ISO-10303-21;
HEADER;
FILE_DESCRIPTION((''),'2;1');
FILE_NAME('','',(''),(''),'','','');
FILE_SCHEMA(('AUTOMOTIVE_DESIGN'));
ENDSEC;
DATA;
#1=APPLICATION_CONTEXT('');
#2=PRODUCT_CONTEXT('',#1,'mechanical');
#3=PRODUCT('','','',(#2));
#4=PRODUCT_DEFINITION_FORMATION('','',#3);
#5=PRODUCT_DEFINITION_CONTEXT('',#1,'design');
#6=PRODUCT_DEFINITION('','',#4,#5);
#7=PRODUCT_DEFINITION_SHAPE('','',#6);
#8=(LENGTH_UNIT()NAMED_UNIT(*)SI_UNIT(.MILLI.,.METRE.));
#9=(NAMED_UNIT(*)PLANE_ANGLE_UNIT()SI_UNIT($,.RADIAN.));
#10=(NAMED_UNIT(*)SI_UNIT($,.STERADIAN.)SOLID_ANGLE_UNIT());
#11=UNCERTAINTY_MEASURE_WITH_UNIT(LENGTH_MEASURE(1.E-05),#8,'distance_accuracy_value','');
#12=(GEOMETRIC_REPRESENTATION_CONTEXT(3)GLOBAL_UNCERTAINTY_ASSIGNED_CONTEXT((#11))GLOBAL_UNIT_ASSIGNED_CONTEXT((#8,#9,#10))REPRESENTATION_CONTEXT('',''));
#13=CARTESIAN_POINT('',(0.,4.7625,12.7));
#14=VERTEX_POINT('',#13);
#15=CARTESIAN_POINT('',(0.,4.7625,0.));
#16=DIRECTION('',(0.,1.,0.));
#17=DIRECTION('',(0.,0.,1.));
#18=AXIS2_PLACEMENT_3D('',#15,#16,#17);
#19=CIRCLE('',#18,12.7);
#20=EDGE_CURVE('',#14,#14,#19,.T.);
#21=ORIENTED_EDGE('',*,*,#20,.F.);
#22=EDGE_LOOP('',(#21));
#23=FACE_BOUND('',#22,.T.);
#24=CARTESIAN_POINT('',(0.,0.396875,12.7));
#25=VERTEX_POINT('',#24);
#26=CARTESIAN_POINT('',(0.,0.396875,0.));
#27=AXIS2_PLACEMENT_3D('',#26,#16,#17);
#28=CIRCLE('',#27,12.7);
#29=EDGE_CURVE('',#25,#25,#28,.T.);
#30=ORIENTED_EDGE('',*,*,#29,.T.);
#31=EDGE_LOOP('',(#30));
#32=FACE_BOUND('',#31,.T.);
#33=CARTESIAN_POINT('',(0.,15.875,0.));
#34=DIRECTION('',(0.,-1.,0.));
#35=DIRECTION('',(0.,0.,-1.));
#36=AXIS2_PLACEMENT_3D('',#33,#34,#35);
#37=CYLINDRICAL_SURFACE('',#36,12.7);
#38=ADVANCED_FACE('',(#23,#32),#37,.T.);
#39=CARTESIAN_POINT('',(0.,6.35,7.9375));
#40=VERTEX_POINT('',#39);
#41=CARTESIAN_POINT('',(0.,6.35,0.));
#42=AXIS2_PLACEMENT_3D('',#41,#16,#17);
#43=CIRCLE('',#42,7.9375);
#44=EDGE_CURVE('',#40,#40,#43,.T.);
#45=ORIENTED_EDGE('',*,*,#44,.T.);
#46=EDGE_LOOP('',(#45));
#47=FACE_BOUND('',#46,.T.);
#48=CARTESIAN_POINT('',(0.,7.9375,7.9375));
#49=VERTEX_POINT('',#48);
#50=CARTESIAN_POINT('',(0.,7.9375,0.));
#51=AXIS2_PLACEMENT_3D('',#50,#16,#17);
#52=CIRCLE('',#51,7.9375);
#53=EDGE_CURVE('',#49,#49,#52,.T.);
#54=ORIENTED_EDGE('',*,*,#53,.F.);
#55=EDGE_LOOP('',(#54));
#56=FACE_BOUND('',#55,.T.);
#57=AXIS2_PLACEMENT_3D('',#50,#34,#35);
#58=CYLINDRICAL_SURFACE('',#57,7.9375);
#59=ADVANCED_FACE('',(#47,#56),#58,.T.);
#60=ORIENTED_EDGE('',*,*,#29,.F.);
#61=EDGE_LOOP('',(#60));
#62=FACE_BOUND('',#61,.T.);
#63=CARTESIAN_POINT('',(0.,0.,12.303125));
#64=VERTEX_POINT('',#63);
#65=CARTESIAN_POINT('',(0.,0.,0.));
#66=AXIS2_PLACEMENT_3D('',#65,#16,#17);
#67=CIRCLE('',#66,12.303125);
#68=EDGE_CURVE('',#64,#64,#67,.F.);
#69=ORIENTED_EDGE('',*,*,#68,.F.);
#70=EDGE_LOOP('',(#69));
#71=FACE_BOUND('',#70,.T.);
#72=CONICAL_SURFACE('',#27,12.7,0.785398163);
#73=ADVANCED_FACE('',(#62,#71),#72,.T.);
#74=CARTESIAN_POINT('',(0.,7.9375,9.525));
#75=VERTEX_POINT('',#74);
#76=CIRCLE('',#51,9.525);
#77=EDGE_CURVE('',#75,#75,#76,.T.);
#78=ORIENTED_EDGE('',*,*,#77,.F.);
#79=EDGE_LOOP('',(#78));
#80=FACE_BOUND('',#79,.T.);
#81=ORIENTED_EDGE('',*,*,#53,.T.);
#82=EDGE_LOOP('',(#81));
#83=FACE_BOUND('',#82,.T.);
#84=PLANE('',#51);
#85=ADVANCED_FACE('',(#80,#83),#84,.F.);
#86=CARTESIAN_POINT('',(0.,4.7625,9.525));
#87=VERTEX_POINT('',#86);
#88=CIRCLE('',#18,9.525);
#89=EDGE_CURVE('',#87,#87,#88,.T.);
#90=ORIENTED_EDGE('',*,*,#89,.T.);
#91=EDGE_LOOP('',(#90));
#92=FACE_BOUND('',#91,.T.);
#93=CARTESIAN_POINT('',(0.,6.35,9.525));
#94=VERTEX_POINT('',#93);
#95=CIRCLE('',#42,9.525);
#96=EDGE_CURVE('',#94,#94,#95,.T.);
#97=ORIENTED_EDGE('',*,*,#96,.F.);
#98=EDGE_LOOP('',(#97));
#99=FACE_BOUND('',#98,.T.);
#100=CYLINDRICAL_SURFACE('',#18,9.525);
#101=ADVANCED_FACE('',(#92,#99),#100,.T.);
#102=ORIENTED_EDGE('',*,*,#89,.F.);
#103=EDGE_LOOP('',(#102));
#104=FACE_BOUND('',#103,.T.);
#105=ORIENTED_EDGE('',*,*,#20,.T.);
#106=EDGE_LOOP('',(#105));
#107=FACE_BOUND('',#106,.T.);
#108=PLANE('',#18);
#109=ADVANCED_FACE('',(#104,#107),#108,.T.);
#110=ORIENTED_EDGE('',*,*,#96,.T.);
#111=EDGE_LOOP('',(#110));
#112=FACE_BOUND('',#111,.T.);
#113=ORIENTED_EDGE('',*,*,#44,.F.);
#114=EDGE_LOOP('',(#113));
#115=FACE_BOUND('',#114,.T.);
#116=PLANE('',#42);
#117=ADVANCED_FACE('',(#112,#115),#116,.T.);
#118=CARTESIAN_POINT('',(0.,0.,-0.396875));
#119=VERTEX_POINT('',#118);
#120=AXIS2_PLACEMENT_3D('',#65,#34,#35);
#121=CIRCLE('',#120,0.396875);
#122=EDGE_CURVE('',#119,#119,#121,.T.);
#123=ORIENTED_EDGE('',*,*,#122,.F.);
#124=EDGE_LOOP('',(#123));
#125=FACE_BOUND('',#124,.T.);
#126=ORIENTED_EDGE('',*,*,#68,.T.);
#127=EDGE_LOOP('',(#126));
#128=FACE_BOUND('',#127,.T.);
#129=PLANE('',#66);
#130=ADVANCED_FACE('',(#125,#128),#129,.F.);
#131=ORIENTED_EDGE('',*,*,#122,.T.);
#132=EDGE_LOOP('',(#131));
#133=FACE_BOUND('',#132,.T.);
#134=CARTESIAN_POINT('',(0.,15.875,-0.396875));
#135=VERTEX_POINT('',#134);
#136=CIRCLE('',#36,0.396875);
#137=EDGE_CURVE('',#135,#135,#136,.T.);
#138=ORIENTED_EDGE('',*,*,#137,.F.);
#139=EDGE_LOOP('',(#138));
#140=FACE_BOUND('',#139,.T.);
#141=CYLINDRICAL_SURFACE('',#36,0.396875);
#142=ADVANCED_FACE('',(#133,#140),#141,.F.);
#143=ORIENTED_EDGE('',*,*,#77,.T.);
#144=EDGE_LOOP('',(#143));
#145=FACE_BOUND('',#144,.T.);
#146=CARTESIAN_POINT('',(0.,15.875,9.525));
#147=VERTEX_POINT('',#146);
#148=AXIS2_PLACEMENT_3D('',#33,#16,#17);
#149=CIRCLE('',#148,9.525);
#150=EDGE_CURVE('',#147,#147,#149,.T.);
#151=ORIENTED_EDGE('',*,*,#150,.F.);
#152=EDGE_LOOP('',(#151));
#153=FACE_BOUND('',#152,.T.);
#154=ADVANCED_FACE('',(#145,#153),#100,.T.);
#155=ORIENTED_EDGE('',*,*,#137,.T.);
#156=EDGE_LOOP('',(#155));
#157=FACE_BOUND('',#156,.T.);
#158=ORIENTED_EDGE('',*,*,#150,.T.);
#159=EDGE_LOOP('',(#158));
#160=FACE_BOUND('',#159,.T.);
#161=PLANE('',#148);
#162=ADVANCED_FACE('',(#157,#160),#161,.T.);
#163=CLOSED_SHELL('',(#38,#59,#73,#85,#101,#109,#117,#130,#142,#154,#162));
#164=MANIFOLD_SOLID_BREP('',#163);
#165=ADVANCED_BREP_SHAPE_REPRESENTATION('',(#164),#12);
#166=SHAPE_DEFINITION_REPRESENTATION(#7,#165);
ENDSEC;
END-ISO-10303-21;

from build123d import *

# Parameters (mm, degrees)
SKETCH1_R           = 12.7
BOSS_EXTRUDE1_DEPTH = 15.875
SKETCH2_R           = 12.7
SKETCH2_R_2         = 9.525
CUT_EXTRUDE1_DEPTH  = 11.1125
SKETCH3_R           = 0.396875
CUT_EXTRUDE2_DEPTH  = 16.875
CHAMFER1_SIZE       = 0.396875
SKETCH4_R           = 9.525
SKETCH4_R_2         = 7.9375
CUT_EXTRUDE3_DEPTH  = 1.5875


with BuildPart() as part:
    # Sketch1 → Boss-Extrude1 (new body)
    with BuildSketch(Plane(origin=(0, 0, 0), x_dir=(1, 0, 0), z_dir=(0, 1, 0))):
        Circle(SKETCH1_R)
    extrude(amount=BOSS_EXTRUDE1_DEPTH)

    # Sketch2 → Cut-Extrude1 (cut)
    with BuildSketch(Plane(origin=(0, 15.875, 0), x_dir=(1, 0, 0), z_dir=(0, 1, 0))):
        Circle(SKETCH2_R)
        Circle(SKETCH2_R_2, mode=Mode.SUBTRACT)
    extrude(amount=-CUT_EXTRUDE1_DEPTH, mode=Mode.SUBTRACT)

    # Sketch3 → Cut-Extrude2 (cut, through all)
    with BuildSketch(Plane.XZ):
        Circle(SKETCH3_R)
    extrude(amount=-CUT_EXTRUDE2_DEPTH, mode=Mode.SUBTRACT)

    # Chamfer1
    chamfer1_edges = [part.edges().sort_by_distance(p)[0] for p in [
        (-12.7, 0, 0),
    ]]
    chamfer(chamfer1_edges, length=CHAMFER1_SIZE)

    # Sketch4 → Cut-Extrude3 (cut)
    with BuildSketch(Plane(origin=(0, 6.35, 0), x_dir=(1, 0, 0), z_dir=(0, 1, 0))):
        Circle(SKETCH4_R)
        Circle(SKETCH4_R_2, mode=Mode.SUBTRACT)
    extrude(amount=CUT_EXTRUDE3_DEPTH, mode=Mode.SUBTRACT)


solid = part.part
